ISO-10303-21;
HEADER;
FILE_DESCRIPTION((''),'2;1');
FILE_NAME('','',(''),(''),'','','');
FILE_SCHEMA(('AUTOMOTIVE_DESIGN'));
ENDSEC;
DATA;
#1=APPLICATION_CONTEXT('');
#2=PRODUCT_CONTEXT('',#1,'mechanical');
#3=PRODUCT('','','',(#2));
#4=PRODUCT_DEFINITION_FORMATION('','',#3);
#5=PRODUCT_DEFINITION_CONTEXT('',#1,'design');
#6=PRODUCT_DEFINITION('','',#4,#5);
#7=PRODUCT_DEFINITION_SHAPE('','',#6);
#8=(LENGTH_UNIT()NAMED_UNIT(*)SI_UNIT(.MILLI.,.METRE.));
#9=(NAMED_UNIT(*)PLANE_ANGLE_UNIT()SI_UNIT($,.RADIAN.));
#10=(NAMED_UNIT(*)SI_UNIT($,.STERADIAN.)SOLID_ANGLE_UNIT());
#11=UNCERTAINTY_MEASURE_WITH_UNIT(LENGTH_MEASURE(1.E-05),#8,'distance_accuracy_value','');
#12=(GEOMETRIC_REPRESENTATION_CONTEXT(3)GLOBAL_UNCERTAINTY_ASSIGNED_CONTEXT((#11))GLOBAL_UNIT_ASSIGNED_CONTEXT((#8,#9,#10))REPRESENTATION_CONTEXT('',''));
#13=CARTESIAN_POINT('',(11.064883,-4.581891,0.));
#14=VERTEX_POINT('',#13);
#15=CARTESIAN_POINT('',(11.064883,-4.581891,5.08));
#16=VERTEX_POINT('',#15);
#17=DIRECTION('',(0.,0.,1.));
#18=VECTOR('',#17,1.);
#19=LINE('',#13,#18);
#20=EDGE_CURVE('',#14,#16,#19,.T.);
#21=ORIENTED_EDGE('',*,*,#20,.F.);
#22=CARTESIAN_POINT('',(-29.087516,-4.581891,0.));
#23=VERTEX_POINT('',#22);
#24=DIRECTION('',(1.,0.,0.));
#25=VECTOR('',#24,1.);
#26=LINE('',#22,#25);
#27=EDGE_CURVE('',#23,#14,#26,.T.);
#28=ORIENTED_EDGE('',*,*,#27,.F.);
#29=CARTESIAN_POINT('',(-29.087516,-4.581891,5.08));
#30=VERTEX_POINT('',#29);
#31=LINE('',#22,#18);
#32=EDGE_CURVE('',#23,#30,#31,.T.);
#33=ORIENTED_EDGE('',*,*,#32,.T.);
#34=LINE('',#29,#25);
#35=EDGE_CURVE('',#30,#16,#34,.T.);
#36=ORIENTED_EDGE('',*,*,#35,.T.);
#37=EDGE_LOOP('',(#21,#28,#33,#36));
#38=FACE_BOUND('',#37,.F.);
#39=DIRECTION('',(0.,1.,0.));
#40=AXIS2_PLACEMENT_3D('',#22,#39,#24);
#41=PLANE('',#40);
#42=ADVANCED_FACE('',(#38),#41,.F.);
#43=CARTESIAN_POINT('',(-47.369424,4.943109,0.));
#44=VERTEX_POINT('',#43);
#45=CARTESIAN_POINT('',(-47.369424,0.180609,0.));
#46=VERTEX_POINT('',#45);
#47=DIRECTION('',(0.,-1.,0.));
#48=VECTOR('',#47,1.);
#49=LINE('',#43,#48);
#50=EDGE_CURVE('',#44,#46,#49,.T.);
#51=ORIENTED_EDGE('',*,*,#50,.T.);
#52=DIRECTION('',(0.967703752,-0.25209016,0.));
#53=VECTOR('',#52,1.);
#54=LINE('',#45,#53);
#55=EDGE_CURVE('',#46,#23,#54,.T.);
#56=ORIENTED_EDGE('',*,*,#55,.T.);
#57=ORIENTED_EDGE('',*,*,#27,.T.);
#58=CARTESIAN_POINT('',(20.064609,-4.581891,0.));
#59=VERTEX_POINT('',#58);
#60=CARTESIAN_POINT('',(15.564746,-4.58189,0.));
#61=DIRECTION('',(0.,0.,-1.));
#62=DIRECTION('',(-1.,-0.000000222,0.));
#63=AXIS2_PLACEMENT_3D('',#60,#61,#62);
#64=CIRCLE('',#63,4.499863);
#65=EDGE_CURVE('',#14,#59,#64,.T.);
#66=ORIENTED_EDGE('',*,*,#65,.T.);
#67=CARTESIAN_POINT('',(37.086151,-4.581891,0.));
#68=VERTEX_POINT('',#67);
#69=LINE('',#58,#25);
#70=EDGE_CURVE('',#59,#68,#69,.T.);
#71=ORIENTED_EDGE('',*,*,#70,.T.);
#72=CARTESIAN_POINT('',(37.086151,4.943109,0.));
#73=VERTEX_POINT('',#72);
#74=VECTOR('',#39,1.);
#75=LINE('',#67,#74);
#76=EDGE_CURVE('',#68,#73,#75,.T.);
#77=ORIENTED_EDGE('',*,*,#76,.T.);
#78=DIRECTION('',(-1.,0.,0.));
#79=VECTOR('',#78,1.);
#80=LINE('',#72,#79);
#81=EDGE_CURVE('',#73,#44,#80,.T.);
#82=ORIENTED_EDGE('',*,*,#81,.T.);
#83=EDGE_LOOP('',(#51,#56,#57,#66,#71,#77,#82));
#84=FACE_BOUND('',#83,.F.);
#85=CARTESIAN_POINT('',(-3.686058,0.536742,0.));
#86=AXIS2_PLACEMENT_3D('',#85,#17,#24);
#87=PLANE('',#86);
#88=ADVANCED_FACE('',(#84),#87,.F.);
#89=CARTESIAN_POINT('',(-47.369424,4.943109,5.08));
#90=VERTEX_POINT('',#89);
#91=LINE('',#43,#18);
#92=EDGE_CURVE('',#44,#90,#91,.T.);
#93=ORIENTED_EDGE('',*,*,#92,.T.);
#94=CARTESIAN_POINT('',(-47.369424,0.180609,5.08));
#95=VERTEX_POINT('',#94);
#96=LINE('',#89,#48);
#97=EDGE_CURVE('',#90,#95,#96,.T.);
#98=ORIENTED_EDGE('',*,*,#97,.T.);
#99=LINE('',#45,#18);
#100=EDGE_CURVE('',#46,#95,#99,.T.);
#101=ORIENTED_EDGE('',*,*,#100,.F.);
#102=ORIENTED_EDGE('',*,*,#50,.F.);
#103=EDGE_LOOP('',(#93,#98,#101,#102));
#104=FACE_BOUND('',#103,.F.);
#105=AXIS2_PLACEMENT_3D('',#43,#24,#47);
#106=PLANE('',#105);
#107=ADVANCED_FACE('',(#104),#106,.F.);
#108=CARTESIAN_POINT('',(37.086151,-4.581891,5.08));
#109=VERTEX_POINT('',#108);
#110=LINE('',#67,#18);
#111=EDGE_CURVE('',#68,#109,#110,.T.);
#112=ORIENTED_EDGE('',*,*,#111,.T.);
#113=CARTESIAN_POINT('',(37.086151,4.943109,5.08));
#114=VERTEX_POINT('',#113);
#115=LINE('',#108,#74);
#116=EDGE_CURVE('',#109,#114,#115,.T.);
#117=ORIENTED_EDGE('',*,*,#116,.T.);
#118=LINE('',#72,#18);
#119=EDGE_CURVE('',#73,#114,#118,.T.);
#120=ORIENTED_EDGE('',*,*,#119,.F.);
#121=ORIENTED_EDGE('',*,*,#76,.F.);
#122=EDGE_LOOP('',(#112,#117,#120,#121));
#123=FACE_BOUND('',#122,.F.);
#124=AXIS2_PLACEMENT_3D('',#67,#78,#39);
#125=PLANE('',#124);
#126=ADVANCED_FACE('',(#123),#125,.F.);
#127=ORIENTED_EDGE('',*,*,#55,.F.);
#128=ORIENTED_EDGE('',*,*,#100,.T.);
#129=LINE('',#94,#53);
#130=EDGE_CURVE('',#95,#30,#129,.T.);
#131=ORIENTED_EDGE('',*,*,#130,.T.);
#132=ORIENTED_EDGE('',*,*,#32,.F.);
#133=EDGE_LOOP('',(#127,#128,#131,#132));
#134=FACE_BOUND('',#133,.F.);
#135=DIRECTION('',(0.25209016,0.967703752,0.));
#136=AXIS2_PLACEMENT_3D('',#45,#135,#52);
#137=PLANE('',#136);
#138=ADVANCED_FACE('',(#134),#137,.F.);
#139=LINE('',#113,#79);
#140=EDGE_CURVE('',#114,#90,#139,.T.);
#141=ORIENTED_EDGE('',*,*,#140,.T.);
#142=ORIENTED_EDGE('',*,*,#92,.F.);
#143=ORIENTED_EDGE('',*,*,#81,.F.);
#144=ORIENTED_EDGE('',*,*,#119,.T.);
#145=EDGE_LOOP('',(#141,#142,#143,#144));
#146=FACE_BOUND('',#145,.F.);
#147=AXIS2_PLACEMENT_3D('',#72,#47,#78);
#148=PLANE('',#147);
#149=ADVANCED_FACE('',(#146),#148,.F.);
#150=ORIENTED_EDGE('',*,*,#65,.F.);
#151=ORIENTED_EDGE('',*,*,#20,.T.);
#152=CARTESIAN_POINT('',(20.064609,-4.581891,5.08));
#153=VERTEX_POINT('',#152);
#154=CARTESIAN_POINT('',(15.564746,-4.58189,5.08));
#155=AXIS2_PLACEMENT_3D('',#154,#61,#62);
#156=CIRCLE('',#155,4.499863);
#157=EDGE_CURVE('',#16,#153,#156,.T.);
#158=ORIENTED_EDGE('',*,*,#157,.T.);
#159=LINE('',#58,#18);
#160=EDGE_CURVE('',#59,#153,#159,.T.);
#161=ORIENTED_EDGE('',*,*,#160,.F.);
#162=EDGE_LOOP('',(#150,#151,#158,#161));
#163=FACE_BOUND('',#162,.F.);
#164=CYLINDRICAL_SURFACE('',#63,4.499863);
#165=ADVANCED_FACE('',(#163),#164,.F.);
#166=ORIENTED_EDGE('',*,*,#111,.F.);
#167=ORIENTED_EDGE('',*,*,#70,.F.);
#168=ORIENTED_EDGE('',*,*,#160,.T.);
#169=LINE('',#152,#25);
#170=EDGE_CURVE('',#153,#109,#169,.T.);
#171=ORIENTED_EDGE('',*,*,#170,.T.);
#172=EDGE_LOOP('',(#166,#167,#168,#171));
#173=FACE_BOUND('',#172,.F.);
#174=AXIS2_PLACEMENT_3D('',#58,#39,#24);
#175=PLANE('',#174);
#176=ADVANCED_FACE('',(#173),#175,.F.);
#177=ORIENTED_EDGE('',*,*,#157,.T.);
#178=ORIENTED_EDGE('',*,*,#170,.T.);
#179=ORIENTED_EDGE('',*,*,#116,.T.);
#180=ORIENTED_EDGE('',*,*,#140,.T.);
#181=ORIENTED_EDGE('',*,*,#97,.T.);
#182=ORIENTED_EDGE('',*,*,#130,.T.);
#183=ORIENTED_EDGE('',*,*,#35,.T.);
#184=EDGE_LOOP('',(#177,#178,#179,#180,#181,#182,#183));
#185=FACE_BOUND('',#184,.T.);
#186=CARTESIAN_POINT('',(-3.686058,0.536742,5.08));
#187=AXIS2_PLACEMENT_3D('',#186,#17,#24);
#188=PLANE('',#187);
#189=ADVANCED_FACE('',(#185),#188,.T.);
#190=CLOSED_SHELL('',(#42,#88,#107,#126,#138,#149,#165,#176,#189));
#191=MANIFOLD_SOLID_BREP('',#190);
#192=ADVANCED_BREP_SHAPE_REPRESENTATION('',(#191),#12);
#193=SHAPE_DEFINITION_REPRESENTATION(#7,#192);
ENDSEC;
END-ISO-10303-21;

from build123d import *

# Parameters (mm, degrees)
F1_DEPTH = 5.08


with BuildPart() as f1:
    # F0 (on Top) → F1 (new body)
    with BuildSketch(Plane.XY):
        with BuildLine():
            Line((-17.206924, 4.943109), (-47.369424, 4.943109))
            Line((-47.369424, 4.943109), (-47.369424, 0.180609))
            Line((-47.369424, 0.180609), (-29.087516, -4.581891))
            Line((-29.087516, -4.581891), (11.064883, -4.581891))
            ThreePointArc((11.064883, -4.581891), (15.564746, -0.082027), (20.064609, -4.581891))
            Line((20.064609, -4.581891), (37.086151, -4.581891))
            Line((37.086151, -4.581891), (37.086151, 4.943109))
            Line((37.086151, 4.943109), (19.306151, 4.943109))
            Line((19.306151, 4.943109), (12.955576, 4.943109))
            Line((12.955576, 4.943109), (-17.206924, 4.943109))
        make_face()
    extrude(amount=F1_DEPTH)


solid = f1.part
